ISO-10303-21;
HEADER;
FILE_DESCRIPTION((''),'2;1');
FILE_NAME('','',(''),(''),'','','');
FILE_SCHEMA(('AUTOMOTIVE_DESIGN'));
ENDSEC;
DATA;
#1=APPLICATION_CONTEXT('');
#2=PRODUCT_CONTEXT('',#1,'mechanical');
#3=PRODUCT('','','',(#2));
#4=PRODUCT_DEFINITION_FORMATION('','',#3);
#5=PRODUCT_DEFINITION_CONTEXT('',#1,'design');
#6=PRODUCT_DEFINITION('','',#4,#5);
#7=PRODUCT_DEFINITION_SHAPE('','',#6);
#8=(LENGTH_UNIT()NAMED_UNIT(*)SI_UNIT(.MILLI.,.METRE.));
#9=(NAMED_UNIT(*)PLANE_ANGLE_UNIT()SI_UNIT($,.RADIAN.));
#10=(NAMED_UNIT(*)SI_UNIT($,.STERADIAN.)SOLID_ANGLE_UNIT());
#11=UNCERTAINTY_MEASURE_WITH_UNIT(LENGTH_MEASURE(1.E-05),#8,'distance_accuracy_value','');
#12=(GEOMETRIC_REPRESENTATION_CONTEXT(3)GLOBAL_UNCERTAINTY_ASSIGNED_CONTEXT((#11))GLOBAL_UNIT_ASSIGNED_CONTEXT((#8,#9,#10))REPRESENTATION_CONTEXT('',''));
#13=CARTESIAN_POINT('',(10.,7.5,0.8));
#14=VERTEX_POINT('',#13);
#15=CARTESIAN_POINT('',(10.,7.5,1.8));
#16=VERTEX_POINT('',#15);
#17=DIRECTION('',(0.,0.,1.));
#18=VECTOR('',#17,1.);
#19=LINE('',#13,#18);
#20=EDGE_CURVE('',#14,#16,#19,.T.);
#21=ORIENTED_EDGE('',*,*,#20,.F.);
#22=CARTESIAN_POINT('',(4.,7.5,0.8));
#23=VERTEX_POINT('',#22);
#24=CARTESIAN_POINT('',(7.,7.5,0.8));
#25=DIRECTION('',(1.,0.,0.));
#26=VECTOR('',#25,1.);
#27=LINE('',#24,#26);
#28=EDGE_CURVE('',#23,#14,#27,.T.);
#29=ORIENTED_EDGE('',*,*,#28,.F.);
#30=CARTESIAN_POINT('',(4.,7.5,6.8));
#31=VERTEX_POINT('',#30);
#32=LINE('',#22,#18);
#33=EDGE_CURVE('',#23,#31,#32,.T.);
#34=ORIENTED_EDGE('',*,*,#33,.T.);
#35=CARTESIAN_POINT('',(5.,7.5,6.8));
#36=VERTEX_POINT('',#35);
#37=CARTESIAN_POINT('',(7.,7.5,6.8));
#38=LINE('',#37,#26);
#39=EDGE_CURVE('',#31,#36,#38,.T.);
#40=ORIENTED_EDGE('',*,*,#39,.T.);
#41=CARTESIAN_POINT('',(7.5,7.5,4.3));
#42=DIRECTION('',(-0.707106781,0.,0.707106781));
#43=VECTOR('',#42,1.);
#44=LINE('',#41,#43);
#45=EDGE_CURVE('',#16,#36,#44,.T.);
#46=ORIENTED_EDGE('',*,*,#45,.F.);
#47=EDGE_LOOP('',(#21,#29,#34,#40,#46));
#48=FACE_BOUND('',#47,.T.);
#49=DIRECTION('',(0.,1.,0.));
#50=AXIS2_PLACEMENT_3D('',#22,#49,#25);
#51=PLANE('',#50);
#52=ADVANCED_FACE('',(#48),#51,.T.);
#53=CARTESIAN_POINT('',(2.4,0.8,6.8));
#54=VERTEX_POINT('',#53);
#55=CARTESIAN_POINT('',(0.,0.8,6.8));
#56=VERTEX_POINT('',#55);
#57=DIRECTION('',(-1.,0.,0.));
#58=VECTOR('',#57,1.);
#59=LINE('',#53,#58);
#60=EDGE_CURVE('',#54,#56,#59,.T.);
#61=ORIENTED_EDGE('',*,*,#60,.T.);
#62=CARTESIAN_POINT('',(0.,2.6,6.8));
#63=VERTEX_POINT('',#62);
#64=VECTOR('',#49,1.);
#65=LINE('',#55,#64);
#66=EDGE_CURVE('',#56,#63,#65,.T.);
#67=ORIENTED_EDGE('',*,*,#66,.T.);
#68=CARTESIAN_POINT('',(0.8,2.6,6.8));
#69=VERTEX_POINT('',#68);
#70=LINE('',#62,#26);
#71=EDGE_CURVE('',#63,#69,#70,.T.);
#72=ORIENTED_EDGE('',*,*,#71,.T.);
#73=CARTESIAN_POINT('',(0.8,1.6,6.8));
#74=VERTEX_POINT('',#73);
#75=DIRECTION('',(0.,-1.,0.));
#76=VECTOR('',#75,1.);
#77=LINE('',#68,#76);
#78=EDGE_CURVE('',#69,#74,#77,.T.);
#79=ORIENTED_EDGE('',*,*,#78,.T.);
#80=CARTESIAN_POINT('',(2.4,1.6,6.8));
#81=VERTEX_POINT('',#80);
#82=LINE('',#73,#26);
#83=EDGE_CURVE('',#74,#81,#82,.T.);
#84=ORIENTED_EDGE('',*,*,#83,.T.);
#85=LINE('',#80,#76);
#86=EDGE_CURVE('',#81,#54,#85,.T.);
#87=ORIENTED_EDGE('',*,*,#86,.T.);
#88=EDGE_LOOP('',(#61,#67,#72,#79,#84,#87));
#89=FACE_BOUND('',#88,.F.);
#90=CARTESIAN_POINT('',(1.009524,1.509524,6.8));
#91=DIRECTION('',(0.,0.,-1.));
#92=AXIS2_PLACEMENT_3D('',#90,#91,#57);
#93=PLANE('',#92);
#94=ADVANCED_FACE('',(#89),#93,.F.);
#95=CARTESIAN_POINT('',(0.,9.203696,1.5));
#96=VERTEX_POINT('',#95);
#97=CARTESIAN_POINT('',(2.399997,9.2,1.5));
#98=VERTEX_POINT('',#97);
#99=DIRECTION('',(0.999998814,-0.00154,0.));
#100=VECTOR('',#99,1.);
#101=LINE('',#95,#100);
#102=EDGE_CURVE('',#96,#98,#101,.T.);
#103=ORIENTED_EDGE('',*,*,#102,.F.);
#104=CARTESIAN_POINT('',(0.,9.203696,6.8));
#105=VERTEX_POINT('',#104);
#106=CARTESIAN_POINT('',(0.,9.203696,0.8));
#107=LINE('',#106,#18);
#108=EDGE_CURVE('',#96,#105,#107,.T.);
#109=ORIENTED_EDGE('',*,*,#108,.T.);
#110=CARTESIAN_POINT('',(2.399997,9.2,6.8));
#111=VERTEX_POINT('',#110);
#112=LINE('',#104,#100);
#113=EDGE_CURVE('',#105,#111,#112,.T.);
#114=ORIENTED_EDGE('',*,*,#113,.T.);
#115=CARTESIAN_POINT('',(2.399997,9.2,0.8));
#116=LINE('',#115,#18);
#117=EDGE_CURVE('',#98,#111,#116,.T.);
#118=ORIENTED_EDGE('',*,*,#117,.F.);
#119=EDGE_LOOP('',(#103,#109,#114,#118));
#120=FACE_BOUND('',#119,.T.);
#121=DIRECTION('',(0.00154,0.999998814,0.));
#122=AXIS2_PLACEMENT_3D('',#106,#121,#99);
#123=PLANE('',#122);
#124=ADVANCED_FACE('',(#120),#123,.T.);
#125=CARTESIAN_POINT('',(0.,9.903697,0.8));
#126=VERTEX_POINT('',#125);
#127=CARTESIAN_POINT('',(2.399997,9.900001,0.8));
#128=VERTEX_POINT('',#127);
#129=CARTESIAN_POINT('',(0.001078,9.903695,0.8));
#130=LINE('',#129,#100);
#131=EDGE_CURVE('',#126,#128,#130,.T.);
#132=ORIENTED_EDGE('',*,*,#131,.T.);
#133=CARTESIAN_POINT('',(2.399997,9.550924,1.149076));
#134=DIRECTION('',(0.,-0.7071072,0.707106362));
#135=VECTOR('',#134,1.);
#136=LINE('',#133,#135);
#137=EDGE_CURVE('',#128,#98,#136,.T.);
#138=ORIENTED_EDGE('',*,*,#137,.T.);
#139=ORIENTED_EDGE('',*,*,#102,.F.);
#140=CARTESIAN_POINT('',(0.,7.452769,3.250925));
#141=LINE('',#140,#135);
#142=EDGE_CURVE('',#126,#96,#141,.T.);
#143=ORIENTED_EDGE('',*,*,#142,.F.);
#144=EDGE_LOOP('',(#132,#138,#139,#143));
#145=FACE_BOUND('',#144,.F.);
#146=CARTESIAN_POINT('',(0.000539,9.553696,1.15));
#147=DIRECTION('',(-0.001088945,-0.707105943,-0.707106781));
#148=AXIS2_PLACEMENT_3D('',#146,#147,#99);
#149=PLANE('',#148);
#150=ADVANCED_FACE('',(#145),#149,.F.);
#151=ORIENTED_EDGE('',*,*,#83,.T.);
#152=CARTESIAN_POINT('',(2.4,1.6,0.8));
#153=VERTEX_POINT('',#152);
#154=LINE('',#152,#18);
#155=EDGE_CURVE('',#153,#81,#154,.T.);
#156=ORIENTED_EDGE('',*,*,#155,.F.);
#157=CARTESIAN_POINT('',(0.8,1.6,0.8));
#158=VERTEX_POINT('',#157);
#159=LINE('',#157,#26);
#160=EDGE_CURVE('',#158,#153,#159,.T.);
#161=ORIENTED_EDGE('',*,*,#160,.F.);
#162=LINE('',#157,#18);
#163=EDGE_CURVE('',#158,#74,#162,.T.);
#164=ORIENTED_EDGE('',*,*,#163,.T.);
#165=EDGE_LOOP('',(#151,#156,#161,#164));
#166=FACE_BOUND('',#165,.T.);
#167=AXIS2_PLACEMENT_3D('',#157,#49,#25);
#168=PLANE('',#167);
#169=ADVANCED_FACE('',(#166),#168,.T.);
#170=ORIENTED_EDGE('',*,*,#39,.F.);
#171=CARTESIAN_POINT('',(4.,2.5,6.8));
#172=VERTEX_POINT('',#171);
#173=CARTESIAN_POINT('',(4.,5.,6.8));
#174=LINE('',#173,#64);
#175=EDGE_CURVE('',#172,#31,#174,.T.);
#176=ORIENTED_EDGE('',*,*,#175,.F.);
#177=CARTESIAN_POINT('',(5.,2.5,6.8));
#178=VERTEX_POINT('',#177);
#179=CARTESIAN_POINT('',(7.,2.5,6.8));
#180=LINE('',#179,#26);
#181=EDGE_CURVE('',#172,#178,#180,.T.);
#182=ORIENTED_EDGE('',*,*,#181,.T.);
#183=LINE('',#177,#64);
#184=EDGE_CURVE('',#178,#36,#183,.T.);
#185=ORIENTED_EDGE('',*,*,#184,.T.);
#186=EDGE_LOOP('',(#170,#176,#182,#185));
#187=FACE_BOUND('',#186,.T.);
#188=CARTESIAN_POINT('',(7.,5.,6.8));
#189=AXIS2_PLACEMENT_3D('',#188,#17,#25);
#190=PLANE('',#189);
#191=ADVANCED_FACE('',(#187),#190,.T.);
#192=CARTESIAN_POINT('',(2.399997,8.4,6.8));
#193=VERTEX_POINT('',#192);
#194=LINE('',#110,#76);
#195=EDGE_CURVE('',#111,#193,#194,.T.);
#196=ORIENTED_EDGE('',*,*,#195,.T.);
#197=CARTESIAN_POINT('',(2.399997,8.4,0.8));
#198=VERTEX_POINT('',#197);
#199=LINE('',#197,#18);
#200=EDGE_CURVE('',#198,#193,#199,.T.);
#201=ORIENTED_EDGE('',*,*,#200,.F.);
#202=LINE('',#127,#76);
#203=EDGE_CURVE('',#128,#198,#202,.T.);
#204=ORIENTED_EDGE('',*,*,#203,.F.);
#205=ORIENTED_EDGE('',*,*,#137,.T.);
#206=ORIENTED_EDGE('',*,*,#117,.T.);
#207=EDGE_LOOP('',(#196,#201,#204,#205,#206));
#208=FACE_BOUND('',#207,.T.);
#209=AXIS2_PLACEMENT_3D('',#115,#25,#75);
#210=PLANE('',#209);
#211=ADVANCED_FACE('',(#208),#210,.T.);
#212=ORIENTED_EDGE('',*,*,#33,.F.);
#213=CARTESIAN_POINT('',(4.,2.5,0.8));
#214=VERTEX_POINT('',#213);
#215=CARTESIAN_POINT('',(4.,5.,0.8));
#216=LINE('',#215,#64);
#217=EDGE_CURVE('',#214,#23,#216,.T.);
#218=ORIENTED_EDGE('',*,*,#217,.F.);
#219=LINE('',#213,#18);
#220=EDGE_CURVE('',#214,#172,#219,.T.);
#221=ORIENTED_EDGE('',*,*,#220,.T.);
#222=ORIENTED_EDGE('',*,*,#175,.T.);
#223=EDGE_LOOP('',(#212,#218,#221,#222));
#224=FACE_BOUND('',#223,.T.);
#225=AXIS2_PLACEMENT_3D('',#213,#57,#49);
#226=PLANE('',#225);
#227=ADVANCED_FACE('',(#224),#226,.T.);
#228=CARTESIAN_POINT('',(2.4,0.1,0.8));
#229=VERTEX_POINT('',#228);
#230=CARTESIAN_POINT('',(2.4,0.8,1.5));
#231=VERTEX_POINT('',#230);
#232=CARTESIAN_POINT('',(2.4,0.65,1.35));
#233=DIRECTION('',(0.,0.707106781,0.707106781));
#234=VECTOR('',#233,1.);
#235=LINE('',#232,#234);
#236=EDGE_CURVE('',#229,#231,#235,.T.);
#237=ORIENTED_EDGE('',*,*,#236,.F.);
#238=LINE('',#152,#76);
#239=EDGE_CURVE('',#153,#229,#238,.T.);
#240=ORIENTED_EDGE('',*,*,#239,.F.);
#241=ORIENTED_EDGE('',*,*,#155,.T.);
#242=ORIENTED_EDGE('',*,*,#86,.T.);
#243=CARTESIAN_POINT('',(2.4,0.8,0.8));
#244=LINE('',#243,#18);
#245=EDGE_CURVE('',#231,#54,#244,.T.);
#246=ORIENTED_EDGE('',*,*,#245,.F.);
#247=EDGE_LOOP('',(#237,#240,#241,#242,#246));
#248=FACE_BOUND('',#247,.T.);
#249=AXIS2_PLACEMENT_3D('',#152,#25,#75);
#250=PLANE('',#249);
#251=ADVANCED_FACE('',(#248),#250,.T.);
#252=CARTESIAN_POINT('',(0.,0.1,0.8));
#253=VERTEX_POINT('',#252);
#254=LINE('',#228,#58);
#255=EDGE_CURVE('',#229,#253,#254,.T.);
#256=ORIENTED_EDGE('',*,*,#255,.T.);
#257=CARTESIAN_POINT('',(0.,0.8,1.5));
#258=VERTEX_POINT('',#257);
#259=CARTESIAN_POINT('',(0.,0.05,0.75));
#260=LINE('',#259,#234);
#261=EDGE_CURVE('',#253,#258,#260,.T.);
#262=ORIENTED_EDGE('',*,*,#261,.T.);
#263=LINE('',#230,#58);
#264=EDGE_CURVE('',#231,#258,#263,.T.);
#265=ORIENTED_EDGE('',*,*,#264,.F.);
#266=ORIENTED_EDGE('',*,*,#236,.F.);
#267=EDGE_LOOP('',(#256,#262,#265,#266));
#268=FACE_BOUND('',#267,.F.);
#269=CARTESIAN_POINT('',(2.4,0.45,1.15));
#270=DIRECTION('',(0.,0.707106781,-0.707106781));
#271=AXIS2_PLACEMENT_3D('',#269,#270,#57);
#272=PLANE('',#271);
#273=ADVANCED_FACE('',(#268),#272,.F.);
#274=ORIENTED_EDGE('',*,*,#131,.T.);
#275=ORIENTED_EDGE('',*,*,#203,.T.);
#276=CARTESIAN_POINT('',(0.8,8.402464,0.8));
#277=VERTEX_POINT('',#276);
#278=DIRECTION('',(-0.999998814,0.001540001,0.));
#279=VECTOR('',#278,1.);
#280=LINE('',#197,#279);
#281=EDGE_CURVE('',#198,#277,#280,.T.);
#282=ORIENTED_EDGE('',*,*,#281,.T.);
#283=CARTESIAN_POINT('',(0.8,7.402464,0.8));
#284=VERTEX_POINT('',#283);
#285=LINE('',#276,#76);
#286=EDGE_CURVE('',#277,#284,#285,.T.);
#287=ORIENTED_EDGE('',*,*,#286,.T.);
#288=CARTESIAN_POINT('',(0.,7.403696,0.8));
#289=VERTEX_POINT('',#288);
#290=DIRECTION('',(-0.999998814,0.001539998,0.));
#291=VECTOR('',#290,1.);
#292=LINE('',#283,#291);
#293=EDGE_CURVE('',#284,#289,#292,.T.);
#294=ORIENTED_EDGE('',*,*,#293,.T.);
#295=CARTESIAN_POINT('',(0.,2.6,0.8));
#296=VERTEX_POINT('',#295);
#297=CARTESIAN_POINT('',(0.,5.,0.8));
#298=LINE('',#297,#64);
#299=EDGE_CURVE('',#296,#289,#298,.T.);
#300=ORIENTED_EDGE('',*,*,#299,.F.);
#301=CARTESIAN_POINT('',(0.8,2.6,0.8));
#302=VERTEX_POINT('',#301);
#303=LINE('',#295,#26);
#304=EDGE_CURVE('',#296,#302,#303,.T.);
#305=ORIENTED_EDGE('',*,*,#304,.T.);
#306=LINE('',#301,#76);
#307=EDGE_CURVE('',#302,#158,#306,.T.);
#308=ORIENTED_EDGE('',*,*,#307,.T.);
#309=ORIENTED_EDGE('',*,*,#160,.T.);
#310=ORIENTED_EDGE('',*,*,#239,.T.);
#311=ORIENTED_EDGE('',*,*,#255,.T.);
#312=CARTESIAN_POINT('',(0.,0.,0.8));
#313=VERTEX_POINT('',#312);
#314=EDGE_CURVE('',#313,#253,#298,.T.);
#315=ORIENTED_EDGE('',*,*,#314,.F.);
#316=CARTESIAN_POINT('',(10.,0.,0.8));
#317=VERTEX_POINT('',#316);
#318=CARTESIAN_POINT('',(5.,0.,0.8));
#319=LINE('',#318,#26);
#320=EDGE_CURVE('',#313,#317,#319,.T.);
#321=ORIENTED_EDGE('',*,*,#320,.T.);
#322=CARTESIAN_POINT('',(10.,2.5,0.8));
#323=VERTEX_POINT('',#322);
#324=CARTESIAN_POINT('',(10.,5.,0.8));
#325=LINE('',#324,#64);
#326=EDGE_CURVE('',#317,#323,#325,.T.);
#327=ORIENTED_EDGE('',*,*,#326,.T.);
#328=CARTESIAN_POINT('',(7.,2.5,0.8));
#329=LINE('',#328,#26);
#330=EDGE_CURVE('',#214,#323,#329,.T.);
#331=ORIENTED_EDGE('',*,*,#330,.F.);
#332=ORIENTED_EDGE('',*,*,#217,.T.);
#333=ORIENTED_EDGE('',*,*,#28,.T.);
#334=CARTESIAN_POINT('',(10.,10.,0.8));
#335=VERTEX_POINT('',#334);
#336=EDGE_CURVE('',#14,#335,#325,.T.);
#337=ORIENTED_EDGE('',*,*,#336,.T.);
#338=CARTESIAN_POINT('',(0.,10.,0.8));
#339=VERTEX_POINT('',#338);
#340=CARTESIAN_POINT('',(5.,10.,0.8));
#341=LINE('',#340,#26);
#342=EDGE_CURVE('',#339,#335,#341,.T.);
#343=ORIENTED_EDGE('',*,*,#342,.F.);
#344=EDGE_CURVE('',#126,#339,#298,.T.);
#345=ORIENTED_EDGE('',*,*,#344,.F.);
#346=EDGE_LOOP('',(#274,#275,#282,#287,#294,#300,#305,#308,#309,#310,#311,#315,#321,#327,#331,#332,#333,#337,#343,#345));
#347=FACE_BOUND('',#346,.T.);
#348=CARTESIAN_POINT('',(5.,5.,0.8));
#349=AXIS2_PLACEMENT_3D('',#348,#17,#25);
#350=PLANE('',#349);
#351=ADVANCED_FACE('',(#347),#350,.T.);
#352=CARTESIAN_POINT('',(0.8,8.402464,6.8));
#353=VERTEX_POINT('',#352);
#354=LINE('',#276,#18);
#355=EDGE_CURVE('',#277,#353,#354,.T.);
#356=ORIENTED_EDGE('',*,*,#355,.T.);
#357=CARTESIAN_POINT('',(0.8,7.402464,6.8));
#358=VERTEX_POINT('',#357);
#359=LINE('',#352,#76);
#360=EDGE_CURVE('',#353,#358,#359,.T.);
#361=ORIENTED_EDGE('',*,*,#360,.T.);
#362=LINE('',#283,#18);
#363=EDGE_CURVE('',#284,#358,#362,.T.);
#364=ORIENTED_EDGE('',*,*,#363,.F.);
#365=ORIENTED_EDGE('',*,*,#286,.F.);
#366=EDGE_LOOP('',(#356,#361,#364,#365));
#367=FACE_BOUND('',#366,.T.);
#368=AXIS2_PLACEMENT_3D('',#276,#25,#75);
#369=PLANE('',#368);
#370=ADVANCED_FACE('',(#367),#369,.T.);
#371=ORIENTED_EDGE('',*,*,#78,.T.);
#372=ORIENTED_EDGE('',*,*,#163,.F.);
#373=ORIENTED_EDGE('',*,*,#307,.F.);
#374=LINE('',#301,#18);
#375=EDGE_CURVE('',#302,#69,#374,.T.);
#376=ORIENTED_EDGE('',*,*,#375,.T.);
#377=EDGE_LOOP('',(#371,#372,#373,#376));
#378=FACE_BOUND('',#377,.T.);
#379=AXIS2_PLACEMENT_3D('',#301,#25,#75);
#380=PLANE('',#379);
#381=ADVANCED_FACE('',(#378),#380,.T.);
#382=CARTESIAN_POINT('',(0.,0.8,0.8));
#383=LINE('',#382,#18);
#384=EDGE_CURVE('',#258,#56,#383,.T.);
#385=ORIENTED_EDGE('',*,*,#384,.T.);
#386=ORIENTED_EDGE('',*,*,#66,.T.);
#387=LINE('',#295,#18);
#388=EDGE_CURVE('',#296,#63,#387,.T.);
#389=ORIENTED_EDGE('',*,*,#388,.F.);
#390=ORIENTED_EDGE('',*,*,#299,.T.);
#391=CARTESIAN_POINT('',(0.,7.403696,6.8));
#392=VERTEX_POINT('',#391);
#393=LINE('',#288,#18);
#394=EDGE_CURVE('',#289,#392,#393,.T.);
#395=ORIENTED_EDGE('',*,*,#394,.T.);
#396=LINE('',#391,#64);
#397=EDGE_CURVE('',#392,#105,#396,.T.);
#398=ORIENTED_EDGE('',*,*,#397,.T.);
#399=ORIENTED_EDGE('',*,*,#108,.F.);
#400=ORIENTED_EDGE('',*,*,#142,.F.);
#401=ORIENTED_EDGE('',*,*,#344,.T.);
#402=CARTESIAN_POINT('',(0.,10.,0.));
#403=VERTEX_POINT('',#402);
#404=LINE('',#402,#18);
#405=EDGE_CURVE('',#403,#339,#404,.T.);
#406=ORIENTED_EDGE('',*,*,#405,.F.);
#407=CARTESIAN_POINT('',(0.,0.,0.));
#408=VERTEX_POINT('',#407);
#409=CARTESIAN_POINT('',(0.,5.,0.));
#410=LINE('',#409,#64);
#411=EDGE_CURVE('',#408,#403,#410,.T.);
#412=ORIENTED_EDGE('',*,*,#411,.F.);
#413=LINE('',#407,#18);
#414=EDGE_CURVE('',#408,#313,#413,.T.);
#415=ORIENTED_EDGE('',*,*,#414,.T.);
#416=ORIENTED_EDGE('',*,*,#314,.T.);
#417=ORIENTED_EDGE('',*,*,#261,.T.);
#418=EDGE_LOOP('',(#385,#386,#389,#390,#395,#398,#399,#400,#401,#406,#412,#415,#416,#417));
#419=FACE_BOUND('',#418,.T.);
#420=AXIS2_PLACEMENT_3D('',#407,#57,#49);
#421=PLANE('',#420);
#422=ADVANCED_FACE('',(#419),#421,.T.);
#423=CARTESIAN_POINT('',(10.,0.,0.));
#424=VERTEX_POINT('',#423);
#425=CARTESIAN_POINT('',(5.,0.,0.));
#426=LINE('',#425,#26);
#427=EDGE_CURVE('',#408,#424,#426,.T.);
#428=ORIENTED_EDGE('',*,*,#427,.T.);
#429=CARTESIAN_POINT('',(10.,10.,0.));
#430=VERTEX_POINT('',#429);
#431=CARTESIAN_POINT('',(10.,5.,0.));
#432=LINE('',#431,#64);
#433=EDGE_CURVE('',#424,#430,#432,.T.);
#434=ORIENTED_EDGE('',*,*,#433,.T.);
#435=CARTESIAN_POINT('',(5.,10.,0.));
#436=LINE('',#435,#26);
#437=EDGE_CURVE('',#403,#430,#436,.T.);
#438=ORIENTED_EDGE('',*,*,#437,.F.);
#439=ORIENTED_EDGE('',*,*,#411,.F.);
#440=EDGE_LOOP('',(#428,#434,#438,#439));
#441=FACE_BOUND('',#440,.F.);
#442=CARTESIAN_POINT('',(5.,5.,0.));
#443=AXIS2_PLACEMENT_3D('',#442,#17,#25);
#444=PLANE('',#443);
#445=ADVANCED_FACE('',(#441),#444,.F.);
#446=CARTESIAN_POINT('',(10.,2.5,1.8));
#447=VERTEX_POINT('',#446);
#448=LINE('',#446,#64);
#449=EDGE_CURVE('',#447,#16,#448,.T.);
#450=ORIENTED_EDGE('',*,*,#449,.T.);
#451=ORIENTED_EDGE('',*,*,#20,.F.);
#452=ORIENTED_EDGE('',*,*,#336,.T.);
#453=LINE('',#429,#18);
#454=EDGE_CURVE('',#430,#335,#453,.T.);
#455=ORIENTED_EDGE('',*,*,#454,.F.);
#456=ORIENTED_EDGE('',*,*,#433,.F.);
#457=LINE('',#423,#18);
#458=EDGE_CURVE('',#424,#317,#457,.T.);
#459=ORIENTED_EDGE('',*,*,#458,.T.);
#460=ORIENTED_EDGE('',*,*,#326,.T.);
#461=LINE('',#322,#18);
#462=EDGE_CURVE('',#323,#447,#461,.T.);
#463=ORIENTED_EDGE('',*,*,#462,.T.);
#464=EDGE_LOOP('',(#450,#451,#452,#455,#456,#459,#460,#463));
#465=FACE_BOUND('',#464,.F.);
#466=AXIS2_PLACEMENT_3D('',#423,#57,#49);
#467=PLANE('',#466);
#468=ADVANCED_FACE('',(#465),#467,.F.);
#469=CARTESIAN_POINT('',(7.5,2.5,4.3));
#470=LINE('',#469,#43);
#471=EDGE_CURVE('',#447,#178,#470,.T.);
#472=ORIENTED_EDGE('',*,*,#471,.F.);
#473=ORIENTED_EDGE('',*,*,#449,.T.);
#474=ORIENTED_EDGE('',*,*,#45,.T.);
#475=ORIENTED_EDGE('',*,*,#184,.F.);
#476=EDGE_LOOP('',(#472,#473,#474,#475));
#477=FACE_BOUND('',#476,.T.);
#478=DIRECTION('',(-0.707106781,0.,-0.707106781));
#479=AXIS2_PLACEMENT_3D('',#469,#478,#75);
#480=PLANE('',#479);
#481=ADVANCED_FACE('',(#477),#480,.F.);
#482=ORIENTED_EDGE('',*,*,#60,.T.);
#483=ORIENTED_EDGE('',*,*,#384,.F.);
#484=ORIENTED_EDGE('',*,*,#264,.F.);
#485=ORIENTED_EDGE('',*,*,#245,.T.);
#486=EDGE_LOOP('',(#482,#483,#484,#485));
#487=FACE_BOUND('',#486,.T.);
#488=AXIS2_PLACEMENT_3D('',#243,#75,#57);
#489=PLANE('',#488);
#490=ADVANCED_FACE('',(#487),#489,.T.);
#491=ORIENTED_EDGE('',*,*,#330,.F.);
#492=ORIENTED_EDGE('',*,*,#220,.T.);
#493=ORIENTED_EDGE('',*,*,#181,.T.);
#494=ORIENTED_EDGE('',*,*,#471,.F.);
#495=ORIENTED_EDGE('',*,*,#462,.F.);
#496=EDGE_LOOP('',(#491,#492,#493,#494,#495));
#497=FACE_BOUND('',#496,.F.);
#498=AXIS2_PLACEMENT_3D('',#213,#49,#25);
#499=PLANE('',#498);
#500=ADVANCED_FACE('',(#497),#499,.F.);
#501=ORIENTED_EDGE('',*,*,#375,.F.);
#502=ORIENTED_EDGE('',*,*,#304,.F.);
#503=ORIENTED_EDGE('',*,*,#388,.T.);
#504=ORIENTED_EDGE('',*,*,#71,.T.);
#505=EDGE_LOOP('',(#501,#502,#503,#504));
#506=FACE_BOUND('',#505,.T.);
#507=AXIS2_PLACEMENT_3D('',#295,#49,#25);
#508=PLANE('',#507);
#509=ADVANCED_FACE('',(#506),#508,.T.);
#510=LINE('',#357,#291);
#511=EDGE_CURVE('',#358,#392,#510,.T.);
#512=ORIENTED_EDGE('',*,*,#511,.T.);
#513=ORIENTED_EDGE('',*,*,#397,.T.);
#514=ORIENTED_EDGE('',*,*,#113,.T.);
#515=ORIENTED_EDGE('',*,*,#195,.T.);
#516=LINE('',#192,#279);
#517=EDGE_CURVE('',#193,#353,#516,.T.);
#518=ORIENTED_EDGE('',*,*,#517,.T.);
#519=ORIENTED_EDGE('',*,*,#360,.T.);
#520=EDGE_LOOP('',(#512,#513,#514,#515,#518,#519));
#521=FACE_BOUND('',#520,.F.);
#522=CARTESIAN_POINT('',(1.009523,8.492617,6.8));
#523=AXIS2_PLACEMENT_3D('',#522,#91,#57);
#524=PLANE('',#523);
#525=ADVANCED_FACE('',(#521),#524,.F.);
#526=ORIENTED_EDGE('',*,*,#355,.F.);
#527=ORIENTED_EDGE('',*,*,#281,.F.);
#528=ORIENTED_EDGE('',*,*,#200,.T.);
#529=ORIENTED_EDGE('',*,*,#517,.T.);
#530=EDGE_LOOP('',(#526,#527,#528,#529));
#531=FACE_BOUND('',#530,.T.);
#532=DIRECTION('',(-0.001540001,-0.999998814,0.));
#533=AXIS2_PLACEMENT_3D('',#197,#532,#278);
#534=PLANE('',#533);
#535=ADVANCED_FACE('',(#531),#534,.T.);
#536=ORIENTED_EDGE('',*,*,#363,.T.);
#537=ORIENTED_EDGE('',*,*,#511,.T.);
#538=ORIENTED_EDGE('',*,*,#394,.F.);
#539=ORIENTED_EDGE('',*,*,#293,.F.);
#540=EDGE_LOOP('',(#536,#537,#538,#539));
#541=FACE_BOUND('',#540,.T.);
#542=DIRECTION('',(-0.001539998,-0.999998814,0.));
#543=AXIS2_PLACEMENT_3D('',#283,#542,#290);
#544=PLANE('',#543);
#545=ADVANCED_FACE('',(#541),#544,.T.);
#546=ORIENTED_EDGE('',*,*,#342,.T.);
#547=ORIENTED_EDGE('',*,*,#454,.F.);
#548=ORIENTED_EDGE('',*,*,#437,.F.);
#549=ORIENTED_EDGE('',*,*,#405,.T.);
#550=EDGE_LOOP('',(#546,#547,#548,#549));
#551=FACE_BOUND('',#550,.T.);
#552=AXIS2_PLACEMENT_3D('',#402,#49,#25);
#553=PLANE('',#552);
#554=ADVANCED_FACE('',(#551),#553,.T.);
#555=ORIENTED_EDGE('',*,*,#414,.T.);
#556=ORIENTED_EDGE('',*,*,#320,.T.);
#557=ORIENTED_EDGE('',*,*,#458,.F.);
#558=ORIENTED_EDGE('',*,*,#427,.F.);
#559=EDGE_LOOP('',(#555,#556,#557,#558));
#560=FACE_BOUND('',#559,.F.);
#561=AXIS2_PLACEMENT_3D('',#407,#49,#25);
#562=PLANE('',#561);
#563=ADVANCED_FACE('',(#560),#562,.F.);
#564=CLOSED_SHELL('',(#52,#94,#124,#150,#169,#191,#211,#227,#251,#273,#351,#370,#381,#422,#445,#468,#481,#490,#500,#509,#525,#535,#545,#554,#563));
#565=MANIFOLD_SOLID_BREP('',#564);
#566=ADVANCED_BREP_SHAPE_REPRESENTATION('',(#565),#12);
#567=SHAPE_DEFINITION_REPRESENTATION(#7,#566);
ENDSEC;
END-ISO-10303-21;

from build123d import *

# Parameters (mm, degrees)
SKETCH_W        = 10
SKETCH_H        = 10
PAD_DEPTH       = 0.8
SKETCH001_W     = 6
SKETCH001_H     = 5
PAD001_DEPTH    = 6
CHAMFER_SIZE    = 5
CHAMFER001_SIZE = 0.7


with BuildPart() as part:
    # Sketch → Pad (new body)
    with BuildSketch(Plane.XY):
        with Locations((5, 5)):
            Rectangle(SKETCH_W, SKETCH_H)
    extrude(amount=PAD_DEPTH)

    # Sketch001 (on Face6 of Pad) → Pad001 (join)
    with BuildSketch(Plane.XY.offset(0.8)):
        with Locations((7, 5)):
            Rectangle(SKETCH001_W, SKETCH001_H)
        Polygon((0, 0.8), (0, 2.6), (0.8, 2.6), (0.8, 1.6), (2.4, 1.6), (2.4, 0.8), align=None)
        Polygon((0, 7.403696), (0, 9.203696), (2.399997, 9.2), (2.399997, 8.4), (0.8, 8.402464), (0.8, 7.402464), align=None)
    extrude(amount=PAD001_DEPTH)

    # Chamfer
    chamfer_edges = [part.edges().sort_by_distance(p)[0] for p in [
        (10, 5, 6.8),
    ]]
    chamfer(chamfer_edges, length=CHAMFER_SIZE)

    # Chamfer001
    chamfer001_edges = [part.edges().sort_by_distance(p)[0] for p in [
        (1.2, 0.8, 0.8),
        (1.199999, 9.201848, 0.8),
    ]]
    chamfer(chamfer001_edges, length=CHAMFER001_SIZE)


solid = part.part
